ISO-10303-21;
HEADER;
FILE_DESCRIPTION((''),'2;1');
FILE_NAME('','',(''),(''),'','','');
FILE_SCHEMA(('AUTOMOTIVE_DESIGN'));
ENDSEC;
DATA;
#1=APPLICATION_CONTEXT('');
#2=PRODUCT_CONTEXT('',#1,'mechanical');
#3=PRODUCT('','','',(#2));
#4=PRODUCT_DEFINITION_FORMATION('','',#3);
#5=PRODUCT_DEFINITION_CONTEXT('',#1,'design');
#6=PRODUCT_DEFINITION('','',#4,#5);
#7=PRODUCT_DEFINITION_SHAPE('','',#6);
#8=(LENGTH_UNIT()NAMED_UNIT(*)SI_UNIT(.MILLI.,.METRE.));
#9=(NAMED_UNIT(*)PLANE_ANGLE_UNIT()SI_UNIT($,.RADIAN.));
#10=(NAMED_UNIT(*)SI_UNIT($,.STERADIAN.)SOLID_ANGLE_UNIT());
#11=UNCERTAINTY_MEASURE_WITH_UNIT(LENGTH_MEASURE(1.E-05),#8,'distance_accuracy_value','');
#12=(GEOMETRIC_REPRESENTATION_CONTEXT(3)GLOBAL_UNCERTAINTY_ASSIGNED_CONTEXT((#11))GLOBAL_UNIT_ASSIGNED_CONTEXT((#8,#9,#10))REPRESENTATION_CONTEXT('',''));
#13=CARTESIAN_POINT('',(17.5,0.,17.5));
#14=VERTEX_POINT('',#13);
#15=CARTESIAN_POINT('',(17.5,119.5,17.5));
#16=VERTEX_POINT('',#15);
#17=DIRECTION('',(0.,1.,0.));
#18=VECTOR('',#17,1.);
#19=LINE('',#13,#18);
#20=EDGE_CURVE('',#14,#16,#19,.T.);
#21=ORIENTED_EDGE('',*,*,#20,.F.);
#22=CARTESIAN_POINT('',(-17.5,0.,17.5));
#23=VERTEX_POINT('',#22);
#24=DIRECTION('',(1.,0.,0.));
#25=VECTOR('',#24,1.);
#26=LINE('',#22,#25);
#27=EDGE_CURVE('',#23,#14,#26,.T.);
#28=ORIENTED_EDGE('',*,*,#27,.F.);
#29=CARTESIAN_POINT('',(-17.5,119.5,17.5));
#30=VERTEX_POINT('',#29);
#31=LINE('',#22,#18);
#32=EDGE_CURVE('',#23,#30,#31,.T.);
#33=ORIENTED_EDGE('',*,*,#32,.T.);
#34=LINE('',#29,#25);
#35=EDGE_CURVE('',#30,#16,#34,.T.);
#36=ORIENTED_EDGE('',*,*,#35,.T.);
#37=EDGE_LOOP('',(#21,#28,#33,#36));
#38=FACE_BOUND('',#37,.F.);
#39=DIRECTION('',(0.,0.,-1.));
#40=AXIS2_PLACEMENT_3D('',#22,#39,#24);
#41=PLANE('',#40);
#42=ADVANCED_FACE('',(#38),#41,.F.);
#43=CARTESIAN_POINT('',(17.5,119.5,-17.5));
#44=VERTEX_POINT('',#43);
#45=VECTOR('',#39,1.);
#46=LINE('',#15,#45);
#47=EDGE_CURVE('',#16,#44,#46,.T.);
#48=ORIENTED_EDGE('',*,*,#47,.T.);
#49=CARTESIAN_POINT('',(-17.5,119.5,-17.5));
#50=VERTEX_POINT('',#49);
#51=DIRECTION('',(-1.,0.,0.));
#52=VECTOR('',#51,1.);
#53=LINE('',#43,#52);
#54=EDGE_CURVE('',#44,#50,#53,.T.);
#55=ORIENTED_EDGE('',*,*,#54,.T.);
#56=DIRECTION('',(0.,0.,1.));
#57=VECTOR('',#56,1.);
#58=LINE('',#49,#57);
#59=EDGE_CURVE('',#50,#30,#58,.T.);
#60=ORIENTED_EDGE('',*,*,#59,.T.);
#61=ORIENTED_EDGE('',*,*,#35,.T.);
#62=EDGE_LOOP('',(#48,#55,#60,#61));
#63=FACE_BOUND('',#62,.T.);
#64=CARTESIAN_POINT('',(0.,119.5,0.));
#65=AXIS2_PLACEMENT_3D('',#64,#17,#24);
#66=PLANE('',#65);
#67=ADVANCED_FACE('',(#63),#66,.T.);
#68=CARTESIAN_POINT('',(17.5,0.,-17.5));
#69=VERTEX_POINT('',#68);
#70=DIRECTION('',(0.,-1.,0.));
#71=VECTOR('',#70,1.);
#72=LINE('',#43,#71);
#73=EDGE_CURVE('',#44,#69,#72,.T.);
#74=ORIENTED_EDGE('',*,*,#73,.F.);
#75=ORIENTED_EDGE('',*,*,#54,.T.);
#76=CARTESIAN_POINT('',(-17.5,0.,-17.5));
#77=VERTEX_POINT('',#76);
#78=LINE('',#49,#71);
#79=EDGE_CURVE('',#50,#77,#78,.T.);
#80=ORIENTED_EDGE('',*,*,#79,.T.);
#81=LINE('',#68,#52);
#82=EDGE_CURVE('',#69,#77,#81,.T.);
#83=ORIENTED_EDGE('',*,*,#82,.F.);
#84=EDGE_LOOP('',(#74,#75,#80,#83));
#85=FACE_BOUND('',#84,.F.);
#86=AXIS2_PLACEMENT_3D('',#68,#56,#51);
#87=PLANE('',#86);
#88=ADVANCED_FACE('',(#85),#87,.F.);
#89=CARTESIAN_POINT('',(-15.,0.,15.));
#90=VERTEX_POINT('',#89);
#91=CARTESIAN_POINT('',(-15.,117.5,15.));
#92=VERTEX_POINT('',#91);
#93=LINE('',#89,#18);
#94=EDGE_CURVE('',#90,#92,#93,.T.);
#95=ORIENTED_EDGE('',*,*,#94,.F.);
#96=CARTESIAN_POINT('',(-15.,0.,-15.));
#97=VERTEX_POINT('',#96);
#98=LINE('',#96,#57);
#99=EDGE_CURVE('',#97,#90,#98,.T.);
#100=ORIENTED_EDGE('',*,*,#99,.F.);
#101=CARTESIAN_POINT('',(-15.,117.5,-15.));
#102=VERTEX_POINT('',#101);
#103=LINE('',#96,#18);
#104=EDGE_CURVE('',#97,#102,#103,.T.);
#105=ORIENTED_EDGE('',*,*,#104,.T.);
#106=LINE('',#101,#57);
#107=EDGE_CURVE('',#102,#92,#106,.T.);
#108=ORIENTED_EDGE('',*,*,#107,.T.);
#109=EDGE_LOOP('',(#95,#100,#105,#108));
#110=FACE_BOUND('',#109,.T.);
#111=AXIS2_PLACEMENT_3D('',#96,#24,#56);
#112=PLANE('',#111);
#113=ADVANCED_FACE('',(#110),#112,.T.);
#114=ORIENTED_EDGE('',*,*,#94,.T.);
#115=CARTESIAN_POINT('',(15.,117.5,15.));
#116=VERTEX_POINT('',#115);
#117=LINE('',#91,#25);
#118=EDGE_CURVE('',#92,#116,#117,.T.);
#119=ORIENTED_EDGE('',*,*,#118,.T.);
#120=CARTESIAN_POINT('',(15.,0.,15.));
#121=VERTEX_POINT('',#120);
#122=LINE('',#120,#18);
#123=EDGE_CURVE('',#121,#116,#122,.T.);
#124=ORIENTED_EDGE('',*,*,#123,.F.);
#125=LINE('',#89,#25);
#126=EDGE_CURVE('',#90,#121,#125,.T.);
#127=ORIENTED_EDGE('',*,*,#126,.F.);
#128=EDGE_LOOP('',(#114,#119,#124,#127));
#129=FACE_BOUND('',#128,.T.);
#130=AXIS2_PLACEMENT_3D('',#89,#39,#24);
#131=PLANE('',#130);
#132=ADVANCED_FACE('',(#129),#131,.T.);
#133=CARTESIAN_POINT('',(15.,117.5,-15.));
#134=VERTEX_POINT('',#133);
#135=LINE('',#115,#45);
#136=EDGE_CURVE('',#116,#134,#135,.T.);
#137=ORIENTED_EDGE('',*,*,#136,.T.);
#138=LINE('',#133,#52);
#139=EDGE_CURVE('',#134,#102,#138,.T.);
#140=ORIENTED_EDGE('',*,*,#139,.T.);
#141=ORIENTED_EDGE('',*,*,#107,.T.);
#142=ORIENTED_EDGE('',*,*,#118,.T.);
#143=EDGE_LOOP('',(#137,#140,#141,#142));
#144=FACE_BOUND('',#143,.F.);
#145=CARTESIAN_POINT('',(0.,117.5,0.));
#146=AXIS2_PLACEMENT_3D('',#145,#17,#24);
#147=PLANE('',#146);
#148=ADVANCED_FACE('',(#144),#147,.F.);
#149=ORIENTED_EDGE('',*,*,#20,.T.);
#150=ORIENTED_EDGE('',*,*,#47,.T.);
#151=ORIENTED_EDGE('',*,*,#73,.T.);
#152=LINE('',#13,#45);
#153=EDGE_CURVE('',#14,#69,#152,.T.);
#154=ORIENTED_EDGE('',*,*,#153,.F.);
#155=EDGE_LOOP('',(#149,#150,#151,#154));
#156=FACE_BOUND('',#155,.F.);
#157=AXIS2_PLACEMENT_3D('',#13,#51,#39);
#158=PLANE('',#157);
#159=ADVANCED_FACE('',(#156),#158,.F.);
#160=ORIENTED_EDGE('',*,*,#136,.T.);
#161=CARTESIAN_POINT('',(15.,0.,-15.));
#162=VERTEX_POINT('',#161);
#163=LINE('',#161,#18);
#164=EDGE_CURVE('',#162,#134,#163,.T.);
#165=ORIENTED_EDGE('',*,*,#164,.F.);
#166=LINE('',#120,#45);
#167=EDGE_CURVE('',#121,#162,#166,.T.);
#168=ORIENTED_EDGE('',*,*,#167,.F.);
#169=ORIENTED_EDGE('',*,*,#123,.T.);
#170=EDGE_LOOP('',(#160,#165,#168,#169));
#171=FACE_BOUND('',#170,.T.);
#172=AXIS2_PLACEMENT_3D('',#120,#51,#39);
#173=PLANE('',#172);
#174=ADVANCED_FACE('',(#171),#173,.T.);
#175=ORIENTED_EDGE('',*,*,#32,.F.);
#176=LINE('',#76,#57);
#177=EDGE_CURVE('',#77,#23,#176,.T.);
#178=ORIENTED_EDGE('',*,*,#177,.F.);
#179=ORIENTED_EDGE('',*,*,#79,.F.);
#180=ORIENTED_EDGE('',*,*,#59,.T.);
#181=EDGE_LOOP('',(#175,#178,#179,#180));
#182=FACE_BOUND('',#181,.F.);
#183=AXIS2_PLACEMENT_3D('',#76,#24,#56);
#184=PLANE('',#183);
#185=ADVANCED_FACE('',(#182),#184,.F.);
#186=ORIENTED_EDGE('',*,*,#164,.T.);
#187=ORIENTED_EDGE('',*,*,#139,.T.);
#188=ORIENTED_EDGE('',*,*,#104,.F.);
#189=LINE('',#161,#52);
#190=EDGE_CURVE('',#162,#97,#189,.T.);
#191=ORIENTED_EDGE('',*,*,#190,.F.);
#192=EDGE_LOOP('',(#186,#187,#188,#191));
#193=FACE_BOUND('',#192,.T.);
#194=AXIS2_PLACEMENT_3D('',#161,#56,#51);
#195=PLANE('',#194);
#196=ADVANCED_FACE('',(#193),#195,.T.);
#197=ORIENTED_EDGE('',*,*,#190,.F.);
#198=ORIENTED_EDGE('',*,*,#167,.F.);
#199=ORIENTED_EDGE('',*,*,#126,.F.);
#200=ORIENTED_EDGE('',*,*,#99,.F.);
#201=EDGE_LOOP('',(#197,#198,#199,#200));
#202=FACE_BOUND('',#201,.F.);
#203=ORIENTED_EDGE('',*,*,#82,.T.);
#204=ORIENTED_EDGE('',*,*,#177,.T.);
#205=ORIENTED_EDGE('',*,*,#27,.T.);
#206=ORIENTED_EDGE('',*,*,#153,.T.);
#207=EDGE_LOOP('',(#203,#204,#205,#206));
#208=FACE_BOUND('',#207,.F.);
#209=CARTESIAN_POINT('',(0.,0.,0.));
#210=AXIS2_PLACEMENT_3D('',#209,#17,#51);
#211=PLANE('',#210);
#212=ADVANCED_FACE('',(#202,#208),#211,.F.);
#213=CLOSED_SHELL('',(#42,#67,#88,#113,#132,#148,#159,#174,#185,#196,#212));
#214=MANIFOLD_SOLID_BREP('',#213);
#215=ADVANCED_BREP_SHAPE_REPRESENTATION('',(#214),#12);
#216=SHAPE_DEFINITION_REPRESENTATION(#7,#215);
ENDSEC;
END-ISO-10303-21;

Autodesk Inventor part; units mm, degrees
ref_plane "YZ Plane" through (0, 0, 0) normal (1, 0, 0) x (0, 1, 0)
ref_plane "XZ Plane" through (0, 0, 0) normal (0, 1, 0) x (-1, 0, 0)
ref_plane "XY Plane" through (0, 0, 0) normal (0, 0, 1) x (1, 0, 0)
sketch "Sketch1" plane through (0, 0, 0) normal (0, 1, 0) x (-1, 0, 0)
  line L0 (0, -24.5) -> (0, 24.5) construction
  line L1 (-24.5, 0) -> (24.5, 0) construction
  line L2 (17.5, 17.5) -> (-17.5, 17.5)
  line L3 (-17.5, 17.5) -> (-17.5, -17.5)
  line L4 (-17.5, -17.5) -> (17.5, -17.5)
  line L5 (17.5, -17.5) -> (17.5, 17.5)
  line L6 (15, 15) -> (-15, 15)
  line L7 (-15, 15) -> (-15, -15)
  line L8 (-15, -15) -> (15, -15)
  line L9 (15, -15) -> (15, 15)
  point P0 (0, 0)
  dimension "d0" = 35
  dimension "d1" = 35
  dimension "d2" = 30
  dimension "d3" = 30
extrude "Extrusion1" add sketch "Sketch1" along normal blind 117.5
sketch "Sketch2" plane through (0, 117.5, 0) normal (0, 1, 0) x (1, 0, 0)
  line L0 (-17.5, 17.5) -> (-17.5, -17.5) projected
  line L1 (-17.5, -17.5) -> (17.5, -17.5) projected
  line L2 (17.5, -17.5) -> (17.5, 17.5) projected
  line L3 (17.5, 17.5) -> (-17.5, 17.5) projected
  point P0 (0, 0)
extrude "Extrusion2" add sketch "Sketch2" along normal blind 2
properties part number "UG-752-30x30x120mm" material "Glass"
